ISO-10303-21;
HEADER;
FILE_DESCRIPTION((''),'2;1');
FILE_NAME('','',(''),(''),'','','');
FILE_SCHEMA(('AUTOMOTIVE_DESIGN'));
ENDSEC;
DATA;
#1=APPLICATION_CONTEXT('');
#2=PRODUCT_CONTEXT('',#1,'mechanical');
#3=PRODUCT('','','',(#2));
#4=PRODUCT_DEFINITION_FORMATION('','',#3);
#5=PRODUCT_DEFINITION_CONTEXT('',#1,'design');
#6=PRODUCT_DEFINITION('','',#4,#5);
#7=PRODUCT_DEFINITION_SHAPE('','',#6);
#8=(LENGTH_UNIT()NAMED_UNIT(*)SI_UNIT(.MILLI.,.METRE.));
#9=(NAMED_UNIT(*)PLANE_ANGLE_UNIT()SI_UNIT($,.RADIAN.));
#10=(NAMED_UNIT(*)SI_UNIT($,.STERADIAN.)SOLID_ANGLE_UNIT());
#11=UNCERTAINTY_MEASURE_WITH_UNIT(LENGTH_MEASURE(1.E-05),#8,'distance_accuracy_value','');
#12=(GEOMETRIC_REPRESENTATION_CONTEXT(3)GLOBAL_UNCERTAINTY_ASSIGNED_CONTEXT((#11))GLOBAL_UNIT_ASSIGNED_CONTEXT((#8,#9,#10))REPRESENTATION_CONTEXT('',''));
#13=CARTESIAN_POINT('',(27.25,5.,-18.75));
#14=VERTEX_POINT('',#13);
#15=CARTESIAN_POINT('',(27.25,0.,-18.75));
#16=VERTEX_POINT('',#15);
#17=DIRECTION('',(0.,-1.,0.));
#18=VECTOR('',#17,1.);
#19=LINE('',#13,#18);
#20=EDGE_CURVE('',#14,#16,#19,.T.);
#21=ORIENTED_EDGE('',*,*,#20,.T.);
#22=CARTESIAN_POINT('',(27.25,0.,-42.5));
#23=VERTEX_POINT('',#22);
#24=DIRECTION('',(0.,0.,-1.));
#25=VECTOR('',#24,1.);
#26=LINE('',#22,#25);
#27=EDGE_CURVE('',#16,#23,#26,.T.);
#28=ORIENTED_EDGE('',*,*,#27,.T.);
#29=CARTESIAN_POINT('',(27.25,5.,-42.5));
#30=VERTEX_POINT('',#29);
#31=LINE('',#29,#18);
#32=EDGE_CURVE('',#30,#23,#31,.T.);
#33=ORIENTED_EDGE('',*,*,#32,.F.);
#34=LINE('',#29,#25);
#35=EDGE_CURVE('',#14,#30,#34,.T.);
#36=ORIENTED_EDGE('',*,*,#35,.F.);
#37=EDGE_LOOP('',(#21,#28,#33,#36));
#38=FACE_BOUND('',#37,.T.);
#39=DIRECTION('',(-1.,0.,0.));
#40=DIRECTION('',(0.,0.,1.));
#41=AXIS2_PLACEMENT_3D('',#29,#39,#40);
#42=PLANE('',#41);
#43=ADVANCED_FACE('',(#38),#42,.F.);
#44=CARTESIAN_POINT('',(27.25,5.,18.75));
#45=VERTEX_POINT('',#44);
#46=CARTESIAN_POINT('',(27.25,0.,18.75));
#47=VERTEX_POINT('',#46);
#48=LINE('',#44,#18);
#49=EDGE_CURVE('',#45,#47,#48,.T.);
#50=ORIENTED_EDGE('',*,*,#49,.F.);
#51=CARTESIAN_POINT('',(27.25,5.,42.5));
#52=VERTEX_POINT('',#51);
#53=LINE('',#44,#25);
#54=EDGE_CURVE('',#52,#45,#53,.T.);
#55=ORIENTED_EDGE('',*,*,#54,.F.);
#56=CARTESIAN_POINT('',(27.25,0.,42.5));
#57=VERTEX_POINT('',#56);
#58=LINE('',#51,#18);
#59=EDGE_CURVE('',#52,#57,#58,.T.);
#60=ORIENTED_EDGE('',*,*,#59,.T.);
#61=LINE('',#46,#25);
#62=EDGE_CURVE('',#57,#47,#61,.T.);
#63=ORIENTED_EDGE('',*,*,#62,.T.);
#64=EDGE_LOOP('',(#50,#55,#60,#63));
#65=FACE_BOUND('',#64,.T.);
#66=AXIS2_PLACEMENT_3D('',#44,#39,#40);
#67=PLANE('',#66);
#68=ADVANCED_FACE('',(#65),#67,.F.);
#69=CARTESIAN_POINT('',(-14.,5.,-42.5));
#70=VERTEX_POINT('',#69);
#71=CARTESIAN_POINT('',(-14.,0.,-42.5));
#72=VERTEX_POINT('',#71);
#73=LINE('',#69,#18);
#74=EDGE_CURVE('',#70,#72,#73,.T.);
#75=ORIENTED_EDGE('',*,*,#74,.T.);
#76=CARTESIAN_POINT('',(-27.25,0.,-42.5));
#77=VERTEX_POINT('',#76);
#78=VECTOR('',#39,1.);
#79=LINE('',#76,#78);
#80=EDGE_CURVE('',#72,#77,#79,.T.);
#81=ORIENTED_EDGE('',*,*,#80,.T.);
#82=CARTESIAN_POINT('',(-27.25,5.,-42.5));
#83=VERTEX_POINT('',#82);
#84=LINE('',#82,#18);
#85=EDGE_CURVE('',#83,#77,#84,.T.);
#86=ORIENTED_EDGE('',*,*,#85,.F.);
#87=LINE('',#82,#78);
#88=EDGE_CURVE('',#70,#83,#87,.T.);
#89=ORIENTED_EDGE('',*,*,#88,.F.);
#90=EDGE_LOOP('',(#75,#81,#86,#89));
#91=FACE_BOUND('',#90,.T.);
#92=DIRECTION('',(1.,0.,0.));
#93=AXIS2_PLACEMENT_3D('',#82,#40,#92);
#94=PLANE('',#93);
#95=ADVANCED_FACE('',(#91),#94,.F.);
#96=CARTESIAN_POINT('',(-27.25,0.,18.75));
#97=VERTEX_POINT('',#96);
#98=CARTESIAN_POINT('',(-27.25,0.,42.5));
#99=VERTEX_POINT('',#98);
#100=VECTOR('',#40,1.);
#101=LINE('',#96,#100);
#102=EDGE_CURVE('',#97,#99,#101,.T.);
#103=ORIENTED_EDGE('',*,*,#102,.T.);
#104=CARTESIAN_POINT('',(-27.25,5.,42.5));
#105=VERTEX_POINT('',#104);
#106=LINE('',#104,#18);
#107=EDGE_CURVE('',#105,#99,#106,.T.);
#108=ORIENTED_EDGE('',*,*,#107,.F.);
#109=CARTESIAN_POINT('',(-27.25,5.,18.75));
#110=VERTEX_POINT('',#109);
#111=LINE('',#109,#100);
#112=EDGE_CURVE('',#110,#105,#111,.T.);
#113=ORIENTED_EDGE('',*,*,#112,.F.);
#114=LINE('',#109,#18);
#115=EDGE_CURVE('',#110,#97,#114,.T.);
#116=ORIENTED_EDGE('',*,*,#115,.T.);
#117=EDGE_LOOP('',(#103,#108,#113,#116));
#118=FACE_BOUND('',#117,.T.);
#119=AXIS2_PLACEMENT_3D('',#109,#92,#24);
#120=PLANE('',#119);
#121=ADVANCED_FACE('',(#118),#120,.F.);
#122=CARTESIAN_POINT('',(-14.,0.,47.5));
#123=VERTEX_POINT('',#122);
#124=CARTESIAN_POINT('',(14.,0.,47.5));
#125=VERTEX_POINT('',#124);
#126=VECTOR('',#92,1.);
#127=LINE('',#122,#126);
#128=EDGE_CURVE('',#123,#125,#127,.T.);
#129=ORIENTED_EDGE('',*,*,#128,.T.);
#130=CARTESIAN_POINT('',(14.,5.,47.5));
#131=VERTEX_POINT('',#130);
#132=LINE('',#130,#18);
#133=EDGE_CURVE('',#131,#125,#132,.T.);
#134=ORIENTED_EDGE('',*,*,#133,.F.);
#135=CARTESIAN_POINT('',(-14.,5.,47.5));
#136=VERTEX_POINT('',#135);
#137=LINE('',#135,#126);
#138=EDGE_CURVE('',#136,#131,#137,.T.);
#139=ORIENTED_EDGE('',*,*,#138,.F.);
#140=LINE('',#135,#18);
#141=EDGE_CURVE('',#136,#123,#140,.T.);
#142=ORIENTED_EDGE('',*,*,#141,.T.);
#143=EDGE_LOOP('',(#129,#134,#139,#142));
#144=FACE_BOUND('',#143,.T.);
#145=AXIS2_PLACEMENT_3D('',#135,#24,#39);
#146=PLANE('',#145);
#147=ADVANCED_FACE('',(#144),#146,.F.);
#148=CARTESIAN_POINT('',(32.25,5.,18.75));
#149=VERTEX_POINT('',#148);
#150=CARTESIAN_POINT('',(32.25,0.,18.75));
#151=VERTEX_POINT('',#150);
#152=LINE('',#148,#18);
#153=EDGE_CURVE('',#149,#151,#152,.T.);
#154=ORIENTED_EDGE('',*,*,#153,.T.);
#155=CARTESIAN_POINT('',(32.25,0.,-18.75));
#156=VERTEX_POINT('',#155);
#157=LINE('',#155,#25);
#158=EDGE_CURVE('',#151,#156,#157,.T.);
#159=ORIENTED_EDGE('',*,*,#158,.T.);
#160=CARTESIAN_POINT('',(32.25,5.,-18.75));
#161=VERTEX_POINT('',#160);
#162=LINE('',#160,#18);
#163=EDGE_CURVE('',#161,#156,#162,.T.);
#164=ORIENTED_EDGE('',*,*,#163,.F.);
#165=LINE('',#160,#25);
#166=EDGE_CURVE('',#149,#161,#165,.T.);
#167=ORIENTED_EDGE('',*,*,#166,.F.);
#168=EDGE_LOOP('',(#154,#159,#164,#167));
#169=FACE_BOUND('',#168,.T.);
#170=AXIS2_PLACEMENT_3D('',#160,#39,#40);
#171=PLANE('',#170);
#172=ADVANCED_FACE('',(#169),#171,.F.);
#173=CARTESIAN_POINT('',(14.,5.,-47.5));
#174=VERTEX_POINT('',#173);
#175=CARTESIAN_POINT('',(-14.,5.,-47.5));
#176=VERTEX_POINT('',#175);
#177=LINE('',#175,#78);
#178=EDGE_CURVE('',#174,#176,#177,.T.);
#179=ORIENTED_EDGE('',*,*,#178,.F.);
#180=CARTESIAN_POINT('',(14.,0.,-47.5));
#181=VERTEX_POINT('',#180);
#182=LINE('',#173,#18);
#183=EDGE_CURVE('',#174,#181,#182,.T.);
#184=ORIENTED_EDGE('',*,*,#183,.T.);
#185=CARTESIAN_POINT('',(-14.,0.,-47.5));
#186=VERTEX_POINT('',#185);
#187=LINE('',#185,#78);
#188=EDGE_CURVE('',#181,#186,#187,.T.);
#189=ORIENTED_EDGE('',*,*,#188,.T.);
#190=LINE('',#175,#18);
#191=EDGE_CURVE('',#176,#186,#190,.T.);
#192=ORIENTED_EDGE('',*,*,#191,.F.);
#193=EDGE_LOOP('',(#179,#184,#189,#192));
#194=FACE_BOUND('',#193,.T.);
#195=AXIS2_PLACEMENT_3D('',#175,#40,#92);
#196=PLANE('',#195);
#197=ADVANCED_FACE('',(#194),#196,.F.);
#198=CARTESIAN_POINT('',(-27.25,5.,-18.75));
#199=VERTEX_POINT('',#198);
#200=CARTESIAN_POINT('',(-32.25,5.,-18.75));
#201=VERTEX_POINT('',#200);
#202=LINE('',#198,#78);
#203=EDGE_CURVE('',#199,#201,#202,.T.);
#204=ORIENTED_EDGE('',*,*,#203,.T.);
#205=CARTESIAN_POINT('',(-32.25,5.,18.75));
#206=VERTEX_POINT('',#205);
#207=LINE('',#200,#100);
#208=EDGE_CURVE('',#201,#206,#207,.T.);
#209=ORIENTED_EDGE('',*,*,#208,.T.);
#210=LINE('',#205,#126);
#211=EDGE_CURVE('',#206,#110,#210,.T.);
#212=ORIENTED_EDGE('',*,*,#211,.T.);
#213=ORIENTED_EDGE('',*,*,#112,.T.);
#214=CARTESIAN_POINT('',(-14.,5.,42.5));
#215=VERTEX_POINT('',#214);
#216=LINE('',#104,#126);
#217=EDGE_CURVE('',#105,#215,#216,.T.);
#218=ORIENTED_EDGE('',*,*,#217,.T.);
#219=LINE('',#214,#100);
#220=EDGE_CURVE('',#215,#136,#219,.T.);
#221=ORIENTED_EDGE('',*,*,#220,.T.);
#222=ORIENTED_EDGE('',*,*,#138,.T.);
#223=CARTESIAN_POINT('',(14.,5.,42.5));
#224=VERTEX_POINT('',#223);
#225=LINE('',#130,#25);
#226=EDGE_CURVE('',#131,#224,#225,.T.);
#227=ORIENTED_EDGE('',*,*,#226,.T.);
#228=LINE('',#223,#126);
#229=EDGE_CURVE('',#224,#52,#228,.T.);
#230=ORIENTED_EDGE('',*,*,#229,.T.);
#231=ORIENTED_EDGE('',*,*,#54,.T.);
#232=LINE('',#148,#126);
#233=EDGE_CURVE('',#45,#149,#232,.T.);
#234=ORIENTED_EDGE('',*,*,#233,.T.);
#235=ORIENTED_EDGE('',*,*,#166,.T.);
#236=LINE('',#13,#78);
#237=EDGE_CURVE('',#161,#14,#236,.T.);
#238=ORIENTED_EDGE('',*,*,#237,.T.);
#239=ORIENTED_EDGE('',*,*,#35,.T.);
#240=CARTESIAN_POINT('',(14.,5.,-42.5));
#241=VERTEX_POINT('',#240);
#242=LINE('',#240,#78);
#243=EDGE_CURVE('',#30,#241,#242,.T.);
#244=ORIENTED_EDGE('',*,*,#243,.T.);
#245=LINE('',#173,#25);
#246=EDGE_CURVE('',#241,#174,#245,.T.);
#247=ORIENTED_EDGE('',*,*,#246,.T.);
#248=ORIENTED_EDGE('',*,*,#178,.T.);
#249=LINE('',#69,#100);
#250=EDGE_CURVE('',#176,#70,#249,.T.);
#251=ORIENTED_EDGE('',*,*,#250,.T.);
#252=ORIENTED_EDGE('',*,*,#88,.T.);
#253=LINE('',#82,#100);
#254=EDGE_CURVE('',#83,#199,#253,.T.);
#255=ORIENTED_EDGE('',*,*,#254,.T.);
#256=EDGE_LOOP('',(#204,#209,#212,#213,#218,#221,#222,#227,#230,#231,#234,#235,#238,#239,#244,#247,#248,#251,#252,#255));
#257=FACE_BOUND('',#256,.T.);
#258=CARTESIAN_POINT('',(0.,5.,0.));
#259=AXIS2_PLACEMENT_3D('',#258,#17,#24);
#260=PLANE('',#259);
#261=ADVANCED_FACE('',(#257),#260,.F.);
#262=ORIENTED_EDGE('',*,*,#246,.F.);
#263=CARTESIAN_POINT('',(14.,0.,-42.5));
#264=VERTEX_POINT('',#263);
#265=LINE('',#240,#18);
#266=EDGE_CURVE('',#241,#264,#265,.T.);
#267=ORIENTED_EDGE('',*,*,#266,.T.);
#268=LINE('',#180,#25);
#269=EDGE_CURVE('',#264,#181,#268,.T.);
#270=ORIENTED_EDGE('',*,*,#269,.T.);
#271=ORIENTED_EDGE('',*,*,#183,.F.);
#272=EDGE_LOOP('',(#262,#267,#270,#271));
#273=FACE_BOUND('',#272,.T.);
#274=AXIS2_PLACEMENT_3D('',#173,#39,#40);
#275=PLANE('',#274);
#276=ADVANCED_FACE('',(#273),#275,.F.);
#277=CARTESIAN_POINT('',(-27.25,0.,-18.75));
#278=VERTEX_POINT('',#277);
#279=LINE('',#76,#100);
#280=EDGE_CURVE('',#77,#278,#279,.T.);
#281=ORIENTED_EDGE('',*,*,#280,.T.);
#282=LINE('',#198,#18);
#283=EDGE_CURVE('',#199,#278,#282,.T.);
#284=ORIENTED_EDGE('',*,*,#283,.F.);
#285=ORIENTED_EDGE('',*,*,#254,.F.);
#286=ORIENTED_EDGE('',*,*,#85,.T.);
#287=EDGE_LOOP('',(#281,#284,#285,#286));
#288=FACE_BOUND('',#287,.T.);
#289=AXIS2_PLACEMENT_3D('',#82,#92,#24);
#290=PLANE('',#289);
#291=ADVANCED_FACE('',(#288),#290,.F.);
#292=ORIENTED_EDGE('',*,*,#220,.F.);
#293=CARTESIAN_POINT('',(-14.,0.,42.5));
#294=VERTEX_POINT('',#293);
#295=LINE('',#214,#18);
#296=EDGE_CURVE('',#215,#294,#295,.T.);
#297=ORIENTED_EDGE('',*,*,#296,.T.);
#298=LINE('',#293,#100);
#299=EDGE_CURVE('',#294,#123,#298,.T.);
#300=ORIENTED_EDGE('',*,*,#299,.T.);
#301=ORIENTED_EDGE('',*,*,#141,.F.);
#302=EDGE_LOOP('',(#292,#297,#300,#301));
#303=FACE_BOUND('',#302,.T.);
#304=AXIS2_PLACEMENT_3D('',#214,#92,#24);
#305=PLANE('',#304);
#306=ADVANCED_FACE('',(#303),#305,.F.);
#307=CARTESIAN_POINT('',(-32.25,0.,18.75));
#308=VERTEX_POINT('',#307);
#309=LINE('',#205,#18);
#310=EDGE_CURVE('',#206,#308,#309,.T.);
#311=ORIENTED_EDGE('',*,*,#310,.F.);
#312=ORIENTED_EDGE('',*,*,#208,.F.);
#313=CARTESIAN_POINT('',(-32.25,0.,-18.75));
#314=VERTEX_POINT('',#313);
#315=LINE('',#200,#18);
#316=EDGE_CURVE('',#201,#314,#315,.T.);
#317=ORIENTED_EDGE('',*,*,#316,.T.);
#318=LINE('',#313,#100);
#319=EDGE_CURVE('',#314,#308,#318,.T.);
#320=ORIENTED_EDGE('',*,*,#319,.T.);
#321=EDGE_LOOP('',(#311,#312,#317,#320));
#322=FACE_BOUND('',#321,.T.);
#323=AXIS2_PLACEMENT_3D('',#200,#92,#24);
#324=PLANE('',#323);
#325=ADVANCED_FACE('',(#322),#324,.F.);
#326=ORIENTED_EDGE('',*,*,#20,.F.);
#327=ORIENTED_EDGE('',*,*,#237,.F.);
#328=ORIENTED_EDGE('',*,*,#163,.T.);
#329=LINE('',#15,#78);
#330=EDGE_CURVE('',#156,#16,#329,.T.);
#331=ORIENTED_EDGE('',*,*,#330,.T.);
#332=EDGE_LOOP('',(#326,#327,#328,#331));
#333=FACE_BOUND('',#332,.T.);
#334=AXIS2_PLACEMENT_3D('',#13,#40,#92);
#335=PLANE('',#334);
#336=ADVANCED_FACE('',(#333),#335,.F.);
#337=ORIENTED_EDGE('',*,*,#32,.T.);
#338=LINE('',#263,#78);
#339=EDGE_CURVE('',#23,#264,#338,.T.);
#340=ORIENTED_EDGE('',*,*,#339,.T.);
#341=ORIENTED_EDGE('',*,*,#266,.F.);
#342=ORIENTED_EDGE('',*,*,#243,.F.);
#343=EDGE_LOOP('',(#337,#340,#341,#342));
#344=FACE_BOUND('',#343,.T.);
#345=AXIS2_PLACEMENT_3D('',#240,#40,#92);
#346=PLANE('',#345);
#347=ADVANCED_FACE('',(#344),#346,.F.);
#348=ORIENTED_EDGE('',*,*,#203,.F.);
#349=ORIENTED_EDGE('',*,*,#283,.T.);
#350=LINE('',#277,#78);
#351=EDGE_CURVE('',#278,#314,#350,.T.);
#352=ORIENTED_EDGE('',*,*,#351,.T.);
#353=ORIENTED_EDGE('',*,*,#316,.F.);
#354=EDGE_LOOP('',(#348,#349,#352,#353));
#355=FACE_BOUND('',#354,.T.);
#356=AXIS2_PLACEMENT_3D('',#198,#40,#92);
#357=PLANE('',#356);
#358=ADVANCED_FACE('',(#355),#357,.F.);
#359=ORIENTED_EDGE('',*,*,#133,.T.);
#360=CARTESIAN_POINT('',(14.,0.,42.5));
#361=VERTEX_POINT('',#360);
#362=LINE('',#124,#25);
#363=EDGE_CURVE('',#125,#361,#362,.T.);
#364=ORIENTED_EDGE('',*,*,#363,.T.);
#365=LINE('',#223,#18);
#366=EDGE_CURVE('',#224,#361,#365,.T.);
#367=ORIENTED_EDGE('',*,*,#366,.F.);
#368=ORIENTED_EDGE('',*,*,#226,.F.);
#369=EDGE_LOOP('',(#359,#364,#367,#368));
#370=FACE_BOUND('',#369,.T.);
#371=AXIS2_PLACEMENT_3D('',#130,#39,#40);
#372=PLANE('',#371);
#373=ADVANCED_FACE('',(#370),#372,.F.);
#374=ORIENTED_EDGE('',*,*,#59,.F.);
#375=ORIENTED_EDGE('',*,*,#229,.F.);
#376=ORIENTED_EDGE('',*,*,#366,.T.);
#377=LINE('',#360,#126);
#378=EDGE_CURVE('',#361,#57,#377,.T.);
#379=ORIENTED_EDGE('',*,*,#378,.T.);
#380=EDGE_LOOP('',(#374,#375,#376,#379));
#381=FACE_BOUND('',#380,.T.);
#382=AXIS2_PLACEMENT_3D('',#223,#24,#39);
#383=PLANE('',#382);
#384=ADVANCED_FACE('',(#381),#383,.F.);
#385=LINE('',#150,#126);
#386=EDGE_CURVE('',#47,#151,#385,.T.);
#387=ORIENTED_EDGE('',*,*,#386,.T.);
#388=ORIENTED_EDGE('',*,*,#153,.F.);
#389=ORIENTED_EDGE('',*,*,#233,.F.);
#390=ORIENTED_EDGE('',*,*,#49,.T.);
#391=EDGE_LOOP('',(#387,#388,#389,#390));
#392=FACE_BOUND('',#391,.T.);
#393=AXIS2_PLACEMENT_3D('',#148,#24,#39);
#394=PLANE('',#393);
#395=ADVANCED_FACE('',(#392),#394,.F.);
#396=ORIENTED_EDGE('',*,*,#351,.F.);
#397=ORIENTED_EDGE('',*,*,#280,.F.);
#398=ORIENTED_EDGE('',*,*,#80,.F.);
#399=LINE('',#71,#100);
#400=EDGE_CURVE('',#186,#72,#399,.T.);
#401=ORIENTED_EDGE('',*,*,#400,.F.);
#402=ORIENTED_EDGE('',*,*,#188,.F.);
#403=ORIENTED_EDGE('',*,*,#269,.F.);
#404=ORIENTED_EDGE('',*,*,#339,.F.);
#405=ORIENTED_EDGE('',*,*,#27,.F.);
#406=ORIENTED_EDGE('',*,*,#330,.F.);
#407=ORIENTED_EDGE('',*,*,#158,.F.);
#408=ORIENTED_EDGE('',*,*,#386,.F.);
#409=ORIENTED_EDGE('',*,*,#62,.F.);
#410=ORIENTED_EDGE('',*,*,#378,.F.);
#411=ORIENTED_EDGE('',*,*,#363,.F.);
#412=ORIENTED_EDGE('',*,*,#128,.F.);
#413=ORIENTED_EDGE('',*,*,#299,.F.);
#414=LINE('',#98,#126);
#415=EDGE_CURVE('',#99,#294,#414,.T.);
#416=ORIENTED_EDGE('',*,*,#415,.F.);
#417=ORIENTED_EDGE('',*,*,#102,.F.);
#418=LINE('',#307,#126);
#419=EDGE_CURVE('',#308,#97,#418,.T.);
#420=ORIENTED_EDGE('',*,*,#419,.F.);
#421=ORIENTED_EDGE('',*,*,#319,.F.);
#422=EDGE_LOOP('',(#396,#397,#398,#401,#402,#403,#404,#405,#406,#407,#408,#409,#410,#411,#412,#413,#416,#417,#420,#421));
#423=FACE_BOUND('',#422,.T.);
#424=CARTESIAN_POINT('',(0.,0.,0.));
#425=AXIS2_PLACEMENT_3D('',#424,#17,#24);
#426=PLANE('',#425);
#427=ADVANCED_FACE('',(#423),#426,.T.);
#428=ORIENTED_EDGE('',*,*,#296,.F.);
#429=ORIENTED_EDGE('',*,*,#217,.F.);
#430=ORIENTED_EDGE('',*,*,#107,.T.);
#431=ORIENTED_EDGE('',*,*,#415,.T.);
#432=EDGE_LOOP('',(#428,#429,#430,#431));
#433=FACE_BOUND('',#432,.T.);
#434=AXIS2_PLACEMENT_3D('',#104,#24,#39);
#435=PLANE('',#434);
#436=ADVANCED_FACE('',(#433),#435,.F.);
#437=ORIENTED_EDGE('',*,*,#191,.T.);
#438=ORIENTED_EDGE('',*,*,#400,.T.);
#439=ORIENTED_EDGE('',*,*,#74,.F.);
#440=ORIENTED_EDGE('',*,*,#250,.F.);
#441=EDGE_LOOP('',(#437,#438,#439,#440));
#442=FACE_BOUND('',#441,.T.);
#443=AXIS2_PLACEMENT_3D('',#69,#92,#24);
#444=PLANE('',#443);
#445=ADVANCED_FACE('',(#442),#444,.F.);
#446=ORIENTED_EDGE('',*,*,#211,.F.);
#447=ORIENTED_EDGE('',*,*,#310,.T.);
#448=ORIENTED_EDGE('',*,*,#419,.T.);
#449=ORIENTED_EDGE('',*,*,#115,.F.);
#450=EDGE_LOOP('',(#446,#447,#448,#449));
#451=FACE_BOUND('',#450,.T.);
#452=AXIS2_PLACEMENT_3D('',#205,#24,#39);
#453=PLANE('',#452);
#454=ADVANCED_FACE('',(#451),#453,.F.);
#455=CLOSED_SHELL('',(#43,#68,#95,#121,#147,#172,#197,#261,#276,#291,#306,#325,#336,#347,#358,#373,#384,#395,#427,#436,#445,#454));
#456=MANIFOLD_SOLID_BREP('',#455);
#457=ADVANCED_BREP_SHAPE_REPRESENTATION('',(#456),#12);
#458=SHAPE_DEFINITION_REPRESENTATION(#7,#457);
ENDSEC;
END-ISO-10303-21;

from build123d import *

# Parameters (mm, degrees)
BOSS_EXTRUDE1_DEPTH = 5


with BuildPart() as part:
    # Sketch2 → Boss-Extrude1 (new body)
    with BuildSketch(Plane(origin=(0, 0, 0), x_dir=(1, 0, 0), z_dir=(0, 1, 0))):
        Polygon((-27.25, 18.75), (-32.25, 18.75), (-32.25, -18.75), (-27.25, -18.75), (-27.25, -42.5), (-14, -42.5), (-14, -47.5), (14, -47.5), (14, -42.5), (27.25, -42.5), (27.25, -18.75), (32.25, -18.75), (32.25, 18.75), (27.25, 18.75), (27.25, 42.5), (14, 42.5), (14, 47.5), (-14, 47.5), (-14, 42.5), (-27.25, 42.5), align=None)
    extrude(amount=BOSS_EXTRUDE1_DEPTH)


solid = part.part
